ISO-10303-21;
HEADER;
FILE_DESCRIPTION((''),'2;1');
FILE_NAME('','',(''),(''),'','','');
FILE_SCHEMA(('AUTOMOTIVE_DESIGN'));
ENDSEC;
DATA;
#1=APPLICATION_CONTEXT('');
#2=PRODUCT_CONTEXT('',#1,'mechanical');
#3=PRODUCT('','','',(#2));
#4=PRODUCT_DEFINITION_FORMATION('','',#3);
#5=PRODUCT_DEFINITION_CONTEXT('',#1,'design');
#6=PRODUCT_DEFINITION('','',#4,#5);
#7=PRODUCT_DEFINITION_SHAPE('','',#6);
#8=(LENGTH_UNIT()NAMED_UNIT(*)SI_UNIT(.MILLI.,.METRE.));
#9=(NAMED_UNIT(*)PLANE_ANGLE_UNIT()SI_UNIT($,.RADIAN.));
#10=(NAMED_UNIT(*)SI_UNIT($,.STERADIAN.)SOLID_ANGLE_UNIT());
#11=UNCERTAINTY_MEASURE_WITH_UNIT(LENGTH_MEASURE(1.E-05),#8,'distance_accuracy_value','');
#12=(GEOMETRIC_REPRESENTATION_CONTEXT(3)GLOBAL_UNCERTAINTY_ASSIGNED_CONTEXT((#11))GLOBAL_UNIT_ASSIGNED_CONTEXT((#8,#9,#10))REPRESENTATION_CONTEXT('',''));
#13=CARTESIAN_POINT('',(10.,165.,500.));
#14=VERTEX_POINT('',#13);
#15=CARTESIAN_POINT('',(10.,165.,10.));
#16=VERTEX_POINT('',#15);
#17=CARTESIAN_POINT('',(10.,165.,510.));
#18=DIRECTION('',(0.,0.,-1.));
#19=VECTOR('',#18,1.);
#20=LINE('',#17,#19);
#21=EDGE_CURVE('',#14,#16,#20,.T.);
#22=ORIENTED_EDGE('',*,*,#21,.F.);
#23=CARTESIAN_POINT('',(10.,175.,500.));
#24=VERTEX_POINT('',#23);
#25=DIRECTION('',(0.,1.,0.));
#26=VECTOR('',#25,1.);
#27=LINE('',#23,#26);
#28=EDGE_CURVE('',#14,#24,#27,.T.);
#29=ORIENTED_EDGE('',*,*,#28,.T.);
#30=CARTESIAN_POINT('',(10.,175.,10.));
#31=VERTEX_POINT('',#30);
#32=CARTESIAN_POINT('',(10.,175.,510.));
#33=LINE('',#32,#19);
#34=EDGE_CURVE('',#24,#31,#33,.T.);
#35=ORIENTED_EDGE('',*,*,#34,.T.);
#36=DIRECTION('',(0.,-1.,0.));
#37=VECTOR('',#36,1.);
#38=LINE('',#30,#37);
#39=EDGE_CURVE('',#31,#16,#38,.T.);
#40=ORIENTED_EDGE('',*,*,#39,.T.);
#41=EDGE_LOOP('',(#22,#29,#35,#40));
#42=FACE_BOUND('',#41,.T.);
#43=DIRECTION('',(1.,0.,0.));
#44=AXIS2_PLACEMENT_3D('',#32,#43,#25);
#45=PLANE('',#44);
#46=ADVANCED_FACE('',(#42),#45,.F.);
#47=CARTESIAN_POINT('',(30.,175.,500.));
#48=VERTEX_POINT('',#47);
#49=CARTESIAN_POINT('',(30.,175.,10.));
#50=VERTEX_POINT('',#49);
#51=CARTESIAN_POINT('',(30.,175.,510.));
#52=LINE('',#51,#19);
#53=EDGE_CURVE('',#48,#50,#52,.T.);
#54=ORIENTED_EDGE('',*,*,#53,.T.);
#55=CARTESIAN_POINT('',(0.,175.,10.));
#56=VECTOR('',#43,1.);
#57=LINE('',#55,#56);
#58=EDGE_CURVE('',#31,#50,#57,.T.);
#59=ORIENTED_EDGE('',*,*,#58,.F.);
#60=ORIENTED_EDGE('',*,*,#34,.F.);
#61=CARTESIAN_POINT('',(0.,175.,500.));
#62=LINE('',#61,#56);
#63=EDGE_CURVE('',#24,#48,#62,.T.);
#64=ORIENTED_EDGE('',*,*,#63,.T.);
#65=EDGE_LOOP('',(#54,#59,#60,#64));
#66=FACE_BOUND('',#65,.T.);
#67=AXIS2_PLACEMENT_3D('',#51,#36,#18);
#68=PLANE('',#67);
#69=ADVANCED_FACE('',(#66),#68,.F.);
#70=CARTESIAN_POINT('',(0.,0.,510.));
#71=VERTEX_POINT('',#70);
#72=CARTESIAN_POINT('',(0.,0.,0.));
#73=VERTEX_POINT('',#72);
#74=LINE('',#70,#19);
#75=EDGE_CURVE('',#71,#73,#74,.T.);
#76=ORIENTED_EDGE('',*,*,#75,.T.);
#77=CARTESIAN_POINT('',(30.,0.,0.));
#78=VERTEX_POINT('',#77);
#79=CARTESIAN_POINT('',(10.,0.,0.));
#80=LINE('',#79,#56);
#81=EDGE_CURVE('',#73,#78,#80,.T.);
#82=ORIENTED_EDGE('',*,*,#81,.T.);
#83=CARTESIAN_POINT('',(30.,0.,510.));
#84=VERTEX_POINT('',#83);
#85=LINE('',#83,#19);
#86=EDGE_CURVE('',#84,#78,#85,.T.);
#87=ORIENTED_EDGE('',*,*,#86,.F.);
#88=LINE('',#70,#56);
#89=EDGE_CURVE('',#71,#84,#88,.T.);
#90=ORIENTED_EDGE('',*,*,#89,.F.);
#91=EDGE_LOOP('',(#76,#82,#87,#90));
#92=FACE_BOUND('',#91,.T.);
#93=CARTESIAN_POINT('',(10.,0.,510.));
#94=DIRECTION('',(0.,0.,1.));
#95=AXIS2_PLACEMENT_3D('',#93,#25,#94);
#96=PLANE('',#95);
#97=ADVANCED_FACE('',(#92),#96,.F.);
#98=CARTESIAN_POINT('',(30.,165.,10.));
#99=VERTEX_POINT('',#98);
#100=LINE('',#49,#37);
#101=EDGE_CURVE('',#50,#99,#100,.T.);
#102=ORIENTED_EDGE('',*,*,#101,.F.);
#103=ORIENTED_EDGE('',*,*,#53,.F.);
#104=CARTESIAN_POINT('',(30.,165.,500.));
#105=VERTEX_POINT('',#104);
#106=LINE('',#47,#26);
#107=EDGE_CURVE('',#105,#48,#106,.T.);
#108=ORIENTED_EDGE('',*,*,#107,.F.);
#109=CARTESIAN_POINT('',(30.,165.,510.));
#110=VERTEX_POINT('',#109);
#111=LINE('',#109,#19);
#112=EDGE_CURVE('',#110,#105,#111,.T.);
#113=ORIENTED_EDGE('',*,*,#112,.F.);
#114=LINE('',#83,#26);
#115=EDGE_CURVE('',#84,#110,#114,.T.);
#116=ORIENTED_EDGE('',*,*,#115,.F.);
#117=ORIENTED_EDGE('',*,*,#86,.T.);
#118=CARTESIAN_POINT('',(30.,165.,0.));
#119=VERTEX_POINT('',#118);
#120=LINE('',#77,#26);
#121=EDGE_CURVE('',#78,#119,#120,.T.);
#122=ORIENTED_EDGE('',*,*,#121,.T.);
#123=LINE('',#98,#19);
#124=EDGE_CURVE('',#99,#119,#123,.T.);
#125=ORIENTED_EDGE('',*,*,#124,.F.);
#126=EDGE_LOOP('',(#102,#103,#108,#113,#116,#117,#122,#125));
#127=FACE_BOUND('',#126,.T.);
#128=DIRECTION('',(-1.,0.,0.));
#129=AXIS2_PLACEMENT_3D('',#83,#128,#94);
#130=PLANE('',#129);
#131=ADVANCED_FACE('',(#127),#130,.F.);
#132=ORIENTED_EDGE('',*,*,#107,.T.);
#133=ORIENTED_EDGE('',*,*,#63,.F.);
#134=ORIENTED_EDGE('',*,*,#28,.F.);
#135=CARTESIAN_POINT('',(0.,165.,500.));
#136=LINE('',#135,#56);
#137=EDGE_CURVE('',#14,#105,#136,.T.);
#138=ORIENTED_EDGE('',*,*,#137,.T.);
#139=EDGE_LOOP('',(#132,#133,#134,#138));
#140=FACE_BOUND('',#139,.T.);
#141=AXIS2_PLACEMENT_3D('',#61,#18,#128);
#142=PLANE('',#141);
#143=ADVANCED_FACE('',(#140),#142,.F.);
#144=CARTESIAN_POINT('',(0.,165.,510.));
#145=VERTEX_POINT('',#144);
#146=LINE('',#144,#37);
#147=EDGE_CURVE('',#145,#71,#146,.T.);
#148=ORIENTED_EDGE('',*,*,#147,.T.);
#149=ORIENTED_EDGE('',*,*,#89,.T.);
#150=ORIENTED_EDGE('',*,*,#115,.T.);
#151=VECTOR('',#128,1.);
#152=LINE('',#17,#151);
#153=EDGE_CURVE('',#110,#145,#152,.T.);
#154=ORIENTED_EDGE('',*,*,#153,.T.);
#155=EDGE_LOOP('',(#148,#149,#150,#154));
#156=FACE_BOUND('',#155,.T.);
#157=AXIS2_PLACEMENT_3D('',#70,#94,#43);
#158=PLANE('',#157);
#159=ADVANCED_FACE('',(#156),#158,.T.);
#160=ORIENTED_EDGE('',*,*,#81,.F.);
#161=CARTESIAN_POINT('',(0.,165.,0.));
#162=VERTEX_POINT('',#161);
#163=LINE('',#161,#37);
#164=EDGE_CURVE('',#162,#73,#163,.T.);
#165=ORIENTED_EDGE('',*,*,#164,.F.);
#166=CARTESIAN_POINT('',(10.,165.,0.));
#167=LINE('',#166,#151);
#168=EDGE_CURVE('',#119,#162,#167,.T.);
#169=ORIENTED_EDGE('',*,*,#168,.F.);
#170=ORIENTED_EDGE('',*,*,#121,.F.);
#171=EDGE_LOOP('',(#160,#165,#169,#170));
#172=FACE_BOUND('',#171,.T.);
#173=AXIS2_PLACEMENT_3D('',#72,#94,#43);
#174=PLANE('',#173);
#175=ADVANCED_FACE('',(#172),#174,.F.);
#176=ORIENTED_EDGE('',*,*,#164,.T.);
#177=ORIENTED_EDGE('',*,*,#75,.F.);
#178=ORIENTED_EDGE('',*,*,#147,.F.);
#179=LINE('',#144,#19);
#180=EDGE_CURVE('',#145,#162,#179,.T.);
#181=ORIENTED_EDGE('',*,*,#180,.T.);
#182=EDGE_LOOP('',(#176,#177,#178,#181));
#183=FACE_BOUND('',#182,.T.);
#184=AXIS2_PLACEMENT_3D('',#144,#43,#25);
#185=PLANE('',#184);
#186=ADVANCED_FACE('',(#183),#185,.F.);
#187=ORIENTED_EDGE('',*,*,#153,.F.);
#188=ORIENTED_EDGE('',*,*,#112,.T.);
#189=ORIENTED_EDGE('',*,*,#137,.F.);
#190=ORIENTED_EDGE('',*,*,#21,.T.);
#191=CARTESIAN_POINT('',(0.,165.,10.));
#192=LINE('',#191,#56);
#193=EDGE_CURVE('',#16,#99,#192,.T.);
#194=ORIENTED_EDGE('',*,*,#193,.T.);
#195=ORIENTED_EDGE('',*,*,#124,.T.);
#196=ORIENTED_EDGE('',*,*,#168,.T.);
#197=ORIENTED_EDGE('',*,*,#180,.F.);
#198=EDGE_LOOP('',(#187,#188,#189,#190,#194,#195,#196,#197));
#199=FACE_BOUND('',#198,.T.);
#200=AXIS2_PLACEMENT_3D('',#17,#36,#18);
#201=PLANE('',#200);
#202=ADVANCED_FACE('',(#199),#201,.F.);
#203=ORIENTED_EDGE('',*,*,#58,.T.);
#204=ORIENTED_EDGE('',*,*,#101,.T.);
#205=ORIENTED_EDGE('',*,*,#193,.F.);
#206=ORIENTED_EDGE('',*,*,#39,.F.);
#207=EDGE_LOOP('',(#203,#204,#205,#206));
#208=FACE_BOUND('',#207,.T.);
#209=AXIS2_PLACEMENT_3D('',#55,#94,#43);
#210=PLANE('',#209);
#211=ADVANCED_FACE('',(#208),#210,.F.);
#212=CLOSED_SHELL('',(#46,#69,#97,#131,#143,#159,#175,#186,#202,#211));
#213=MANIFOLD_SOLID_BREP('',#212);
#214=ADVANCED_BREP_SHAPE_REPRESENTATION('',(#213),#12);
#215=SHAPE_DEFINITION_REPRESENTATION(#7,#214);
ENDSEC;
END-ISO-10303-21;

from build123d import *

# Parameters (mm, degrees)
EXTRUDE_1_DEPTH     = 510
SKETCH_2_W          = 10
SKETCH_2_H          = 10
CUT_EXTRUDE_1_DEPTH = 541.023147652


with BuildPart() as part:
    # Эскиз1 → Бобышка-Вытянуть1 (new body)
    with BuildSketch(Plane.XY):
        Polygon((0, 0), (10, 0), (30, 0), (30, 175), (10, 175), (10, 165), (0, 165), align=None)
    extrude(amount=EXTRUDE_1_DEPTH)

    # Эскиз2 → Вырез-Вытянуть1 (cut, through all)
    with BuildSketch(Plane(origin=(30, 0, 0), x_dir=(0, 0, -1), z_dir=(1, 0, 0))):
        with Locations((-5, 170)):
            Rectangle(SKETCH_2_W, SKETCH_2_H)
        with Locations((-505, 170)):
            Rectangle(SKETCH_2_W, SKETCH_2_H)
    extrude(amount=-CUT_EXTRUDE_1_DEPTH, mode=Mode.SUBTRACT)


solid = part.part
